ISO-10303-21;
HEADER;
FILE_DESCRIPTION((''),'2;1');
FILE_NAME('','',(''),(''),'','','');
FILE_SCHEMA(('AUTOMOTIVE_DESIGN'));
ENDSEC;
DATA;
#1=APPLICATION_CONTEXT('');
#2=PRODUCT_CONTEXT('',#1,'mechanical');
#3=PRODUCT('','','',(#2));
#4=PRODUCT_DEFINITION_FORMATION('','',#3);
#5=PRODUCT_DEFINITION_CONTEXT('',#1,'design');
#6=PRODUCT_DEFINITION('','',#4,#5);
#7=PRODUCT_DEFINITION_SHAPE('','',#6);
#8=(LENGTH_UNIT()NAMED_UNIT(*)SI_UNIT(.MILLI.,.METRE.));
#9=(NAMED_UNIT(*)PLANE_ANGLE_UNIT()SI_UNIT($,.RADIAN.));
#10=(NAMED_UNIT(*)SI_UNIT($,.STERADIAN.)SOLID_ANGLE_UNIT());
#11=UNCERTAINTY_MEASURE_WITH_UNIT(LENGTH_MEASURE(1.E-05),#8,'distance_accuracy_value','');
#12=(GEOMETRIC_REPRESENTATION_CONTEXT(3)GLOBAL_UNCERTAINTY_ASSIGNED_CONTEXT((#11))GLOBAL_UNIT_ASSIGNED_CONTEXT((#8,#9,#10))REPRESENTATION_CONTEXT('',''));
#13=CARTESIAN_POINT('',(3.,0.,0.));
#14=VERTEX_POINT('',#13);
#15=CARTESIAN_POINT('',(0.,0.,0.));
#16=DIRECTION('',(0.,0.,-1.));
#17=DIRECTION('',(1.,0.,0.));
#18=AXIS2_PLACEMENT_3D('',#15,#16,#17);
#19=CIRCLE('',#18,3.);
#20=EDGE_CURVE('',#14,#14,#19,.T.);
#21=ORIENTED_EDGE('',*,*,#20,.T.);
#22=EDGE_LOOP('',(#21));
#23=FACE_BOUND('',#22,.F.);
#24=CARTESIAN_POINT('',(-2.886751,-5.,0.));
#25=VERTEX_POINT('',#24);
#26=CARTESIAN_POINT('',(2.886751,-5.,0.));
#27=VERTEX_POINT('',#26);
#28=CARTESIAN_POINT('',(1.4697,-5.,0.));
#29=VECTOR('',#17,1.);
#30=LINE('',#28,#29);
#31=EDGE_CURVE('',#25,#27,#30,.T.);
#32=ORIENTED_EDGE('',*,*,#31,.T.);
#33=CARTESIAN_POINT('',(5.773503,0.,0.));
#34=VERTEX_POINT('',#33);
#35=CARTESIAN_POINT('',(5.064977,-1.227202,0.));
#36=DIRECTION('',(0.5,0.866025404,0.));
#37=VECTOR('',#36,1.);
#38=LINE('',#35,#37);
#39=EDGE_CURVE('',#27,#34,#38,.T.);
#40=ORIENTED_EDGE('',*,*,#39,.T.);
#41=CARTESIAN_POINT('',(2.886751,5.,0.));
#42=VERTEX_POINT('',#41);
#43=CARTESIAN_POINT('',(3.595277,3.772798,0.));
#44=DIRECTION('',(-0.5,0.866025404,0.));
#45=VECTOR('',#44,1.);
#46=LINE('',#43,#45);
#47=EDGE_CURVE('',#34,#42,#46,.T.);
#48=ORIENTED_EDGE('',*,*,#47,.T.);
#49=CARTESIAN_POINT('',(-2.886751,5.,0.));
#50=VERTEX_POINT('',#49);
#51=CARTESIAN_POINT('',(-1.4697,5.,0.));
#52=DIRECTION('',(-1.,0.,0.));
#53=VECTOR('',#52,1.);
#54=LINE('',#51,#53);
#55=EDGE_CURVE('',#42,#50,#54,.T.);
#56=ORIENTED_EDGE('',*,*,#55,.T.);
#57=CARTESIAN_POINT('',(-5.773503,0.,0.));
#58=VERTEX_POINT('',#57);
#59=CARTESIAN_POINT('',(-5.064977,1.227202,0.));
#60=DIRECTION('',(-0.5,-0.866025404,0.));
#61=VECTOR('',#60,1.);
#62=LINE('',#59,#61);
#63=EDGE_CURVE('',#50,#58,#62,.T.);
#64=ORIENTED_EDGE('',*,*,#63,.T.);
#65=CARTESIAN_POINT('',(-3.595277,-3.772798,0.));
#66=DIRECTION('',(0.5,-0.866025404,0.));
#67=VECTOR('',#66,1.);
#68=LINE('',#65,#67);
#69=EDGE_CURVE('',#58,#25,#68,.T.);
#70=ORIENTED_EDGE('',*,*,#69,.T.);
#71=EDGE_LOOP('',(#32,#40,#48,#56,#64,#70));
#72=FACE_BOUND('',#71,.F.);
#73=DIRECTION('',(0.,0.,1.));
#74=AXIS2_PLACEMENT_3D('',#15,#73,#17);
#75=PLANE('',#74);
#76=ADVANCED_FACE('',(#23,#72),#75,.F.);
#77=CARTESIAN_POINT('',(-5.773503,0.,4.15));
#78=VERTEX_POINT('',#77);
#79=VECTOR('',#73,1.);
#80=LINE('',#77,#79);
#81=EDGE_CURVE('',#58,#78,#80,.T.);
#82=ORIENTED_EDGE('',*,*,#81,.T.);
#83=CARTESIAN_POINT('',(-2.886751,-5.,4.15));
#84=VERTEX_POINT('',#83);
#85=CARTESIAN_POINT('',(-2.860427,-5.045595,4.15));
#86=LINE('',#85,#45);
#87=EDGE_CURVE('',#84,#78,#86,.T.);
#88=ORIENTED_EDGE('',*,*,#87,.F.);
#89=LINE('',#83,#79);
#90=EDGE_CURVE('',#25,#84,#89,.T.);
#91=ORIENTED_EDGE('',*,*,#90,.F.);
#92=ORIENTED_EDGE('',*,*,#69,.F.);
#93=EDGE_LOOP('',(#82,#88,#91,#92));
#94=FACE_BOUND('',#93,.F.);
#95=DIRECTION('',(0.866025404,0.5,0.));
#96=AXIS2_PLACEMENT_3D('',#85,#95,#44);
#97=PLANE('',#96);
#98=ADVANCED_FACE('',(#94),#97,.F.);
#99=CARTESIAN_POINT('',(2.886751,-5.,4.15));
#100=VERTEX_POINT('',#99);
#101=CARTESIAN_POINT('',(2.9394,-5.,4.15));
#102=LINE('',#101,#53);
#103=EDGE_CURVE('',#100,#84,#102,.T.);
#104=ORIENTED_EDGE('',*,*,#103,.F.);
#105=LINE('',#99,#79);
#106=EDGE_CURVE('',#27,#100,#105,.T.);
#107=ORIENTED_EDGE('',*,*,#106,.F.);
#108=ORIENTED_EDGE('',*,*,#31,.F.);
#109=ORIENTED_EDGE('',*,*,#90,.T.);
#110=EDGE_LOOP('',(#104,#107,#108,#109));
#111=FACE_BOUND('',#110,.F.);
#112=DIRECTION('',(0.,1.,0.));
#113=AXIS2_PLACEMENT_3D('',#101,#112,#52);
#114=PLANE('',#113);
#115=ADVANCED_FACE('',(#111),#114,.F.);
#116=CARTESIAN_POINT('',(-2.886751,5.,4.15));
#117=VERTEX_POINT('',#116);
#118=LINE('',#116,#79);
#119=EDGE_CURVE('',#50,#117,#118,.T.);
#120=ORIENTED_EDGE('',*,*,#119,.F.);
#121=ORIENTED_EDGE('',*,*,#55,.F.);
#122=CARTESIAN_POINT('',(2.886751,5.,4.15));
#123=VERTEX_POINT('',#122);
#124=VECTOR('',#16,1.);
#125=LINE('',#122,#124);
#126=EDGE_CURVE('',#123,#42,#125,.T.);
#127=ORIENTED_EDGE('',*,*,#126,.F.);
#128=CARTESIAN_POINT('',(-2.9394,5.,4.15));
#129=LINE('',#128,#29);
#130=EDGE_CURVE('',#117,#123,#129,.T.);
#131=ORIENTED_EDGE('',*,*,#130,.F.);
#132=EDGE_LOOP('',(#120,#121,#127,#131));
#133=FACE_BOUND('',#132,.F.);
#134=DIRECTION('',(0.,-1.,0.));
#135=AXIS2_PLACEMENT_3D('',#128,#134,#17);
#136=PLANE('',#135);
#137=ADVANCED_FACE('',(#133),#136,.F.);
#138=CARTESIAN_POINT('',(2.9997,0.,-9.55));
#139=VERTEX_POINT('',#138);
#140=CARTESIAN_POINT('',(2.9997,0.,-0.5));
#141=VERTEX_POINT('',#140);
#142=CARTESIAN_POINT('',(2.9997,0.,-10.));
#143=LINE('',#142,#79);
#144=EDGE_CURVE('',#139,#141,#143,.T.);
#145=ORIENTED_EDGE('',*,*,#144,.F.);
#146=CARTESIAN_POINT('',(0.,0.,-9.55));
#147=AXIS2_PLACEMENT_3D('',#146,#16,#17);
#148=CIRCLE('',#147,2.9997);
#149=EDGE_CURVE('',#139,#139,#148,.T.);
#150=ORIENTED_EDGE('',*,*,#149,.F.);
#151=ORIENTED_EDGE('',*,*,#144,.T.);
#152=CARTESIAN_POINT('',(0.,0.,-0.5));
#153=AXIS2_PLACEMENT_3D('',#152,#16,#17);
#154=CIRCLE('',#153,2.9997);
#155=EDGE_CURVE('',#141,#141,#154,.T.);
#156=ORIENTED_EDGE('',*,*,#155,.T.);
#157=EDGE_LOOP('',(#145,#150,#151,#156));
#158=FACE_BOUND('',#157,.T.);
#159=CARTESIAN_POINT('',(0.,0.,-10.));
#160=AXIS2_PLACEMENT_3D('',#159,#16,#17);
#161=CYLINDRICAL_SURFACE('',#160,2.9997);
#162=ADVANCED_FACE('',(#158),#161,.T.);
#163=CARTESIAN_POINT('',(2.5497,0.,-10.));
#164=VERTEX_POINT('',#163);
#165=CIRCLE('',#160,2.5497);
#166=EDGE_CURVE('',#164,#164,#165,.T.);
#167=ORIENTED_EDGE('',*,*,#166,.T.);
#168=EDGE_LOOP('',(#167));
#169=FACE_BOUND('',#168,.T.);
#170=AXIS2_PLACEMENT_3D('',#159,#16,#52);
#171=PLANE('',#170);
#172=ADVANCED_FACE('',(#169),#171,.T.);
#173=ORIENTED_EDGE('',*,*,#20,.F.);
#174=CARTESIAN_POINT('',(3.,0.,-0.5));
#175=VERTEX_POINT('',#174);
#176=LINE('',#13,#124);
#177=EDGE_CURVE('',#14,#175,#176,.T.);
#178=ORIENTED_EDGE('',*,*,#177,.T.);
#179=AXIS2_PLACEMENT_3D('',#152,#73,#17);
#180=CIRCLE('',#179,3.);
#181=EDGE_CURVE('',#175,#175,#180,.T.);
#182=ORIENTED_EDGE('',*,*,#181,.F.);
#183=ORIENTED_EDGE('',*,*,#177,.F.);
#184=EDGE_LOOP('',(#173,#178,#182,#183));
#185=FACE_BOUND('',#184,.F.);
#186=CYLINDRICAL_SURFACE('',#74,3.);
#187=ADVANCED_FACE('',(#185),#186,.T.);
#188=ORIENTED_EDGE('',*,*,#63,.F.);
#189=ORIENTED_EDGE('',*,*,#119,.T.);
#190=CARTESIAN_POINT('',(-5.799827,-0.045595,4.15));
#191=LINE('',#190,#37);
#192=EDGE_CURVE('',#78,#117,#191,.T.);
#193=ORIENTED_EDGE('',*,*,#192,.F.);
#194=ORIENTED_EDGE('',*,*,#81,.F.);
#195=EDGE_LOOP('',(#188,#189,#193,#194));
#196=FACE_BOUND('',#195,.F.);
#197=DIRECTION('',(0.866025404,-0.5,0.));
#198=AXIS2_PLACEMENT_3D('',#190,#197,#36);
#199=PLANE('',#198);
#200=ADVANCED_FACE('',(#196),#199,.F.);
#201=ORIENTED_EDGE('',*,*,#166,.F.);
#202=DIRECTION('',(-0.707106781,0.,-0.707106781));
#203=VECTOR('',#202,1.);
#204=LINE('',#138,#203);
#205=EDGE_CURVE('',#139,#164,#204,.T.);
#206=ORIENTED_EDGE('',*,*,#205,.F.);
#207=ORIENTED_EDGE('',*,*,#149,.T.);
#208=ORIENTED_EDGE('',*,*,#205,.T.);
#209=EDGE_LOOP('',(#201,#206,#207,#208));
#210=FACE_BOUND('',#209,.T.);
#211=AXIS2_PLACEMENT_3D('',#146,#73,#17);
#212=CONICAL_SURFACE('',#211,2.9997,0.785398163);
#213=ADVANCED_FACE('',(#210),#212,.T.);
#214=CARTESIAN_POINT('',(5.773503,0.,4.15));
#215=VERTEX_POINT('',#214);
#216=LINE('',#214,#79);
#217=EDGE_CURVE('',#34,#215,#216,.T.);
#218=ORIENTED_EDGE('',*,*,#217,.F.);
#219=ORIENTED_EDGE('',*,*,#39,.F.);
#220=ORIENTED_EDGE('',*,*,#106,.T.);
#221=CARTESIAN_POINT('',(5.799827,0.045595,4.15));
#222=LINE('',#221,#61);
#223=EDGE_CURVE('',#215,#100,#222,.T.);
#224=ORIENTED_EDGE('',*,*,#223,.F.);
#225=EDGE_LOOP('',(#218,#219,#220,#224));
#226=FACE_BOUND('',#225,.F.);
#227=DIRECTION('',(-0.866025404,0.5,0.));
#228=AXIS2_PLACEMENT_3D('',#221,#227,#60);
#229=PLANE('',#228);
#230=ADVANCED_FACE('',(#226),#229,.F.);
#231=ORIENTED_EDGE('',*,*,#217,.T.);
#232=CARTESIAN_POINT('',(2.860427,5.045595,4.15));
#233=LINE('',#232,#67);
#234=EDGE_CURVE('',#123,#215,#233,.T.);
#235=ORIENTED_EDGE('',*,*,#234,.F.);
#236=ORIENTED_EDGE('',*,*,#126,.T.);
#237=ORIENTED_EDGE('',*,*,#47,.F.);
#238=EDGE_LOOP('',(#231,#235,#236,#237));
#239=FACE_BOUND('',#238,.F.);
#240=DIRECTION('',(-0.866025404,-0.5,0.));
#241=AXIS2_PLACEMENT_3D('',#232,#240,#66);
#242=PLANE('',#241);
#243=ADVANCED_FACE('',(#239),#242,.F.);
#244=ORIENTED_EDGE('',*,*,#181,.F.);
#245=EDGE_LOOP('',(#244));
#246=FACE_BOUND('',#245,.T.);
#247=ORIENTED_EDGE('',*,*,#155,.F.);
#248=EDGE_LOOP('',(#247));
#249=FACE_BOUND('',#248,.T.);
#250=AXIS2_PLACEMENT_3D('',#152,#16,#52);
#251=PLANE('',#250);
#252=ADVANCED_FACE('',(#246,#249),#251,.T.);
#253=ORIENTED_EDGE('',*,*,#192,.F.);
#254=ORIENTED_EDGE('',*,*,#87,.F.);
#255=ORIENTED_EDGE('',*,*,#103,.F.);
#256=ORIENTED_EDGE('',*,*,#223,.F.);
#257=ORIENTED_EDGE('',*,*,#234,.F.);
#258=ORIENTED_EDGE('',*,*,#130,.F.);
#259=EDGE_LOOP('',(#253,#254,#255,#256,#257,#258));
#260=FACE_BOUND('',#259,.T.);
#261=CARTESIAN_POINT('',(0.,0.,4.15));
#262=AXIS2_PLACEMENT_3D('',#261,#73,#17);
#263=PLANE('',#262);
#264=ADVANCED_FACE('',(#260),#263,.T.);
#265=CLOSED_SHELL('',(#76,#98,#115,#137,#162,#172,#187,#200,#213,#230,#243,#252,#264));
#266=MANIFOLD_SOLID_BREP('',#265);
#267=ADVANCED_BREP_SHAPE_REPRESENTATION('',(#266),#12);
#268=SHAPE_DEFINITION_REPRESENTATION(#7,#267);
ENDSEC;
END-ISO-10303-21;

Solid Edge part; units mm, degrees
sketch "Sketch1" plane through (0, 0, 0) normal (0, 0, 1) x (1, 0, 0)
  circle A0 centre (0, 0) radius 5.8
  dimension "D1" = 11.6
extrude "Protrusion1" add sketch "Sketch1" along normal blind 4.15
sketch "Sketch2" plane through (0, 0, 0) normal (0, 0, -1) x (1, 0, 0)
  circle A0 centre (0, 0) radius 3
extrude "Protrusion2" add sketch "Sketch2" along normal blind 10
sketch "Sketch3" plane through (0, 0, -10) normal (0, 0, -1) x (1, 0, 0)
  circle A0 centre (0, 0) radius 2.9997
extrude "Cutout1" cut sketch "Sketch3" against normal blind 9.5 flip side to cut
chamfer "Chamfer_1" distance 0.45 angle 45 1 edges at (-2.9997, 0, -10)
sketch "Sketch4" plane through (0, 0, 4.15) normal (0, 0, 1) x (1, 0, 0)
  line L0 (-2.9394, 5) -> (2.9394, 5)
  dimension "D1" = 10
extrude "Cutout2" cut sketch "Sketch4" against normal up to next material side at (0, 5.05, 4.15)
pattern_circular "Pattern1" count 6 over 360 about axis through (0, 0, 4.15) along (0, 0, 1) of "Cutout2"
properties part number "185591"
